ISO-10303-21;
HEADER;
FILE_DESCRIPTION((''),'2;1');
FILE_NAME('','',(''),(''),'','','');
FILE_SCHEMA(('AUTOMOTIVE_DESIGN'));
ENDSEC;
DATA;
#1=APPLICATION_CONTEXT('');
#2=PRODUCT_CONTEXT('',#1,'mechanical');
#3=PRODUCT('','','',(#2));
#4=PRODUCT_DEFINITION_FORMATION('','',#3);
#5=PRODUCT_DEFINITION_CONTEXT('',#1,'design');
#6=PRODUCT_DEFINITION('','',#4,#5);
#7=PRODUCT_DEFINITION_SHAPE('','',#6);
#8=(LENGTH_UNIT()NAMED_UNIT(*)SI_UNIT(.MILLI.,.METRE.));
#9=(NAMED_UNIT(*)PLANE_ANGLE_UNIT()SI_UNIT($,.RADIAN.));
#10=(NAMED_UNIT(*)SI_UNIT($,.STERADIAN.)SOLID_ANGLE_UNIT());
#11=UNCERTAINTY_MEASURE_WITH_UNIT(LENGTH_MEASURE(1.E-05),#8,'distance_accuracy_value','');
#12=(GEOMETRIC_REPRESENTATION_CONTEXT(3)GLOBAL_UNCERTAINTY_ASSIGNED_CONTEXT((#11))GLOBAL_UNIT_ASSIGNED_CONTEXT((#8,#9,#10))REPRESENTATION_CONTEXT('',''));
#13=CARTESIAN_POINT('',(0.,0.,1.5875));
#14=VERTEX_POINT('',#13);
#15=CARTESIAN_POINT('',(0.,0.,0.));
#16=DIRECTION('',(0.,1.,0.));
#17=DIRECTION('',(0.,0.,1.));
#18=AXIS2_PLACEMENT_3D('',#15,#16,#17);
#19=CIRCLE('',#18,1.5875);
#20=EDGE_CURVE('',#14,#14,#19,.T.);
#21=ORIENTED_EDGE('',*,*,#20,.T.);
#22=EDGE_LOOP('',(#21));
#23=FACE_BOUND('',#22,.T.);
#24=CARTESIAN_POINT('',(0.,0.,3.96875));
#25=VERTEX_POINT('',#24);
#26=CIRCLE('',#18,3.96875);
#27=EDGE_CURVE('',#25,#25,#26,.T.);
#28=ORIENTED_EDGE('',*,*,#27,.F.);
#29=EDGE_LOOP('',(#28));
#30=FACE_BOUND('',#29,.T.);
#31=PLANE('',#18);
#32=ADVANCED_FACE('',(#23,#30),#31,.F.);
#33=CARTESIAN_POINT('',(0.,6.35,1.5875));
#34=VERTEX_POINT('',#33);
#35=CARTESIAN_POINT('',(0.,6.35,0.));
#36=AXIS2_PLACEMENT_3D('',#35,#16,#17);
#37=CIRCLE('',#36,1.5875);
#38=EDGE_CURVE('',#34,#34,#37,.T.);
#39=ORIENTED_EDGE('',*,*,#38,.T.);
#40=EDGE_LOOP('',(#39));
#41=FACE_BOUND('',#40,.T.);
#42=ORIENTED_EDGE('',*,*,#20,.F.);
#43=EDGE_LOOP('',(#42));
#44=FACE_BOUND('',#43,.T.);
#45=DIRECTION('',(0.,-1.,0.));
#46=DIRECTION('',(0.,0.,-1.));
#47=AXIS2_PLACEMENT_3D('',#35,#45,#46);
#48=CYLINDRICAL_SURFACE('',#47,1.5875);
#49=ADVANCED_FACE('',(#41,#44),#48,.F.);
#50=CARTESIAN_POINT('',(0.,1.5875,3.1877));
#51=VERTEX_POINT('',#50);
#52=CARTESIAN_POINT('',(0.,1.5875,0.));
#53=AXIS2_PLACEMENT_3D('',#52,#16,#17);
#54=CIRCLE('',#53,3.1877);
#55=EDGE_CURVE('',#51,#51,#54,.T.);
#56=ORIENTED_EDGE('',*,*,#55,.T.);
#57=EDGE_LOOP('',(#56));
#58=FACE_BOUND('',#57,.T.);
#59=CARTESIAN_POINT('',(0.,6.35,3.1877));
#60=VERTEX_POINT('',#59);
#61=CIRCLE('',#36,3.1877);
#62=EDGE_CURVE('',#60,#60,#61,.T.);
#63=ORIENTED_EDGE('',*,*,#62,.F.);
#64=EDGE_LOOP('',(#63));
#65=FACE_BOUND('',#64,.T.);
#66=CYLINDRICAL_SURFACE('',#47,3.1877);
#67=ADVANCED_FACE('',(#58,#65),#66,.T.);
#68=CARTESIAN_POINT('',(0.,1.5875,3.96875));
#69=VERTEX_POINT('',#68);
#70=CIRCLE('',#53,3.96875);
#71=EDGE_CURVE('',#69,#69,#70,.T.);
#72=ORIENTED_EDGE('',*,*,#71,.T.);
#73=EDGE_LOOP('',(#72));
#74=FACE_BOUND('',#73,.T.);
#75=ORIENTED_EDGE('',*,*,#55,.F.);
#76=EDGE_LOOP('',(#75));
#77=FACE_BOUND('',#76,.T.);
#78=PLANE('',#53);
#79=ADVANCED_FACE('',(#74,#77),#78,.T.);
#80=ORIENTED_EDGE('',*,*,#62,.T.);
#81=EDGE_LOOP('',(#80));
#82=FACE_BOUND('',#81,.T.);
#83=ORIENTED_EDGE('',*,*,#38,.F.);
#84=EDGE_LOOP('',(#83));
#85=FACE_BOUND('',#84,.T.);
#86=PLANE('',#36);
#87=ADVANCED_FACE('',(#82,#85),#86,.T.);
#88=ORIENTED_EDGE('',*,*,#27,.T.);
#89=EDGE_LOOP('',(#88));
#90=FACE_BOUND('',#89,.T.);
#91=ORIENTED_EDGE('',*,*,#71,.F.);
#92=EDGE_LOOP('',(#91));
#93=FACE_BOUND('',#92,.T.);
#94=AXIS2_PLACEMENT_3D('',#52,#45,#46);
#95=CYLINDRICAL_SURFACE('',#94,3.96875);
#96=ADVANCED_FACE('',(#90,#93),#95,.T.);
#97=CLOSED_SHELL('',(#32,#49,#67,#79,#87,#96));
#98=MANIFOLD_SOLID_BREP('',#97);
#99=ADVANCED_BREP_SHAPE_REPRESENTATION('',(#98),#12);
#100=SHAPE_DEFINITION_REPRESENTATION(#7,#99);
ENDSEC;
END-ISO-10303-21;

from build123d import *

# Parameters (mm, degrees)
SKETCH2_R           = 3.1877
SKETCH2_R_2         = 1.5875
BOSS_EXTRUDE1_DEPTH = 6.35
SKETCH3_R           = 3.96875
SKETCH3_R_2         = 3.1877
BOSS_EXTRUDE2_DEPTH = 1.5875


with BuildPart() as part:
    # Sketch2 → Boss-Extrude1 (new body)
    with BuildSketch(Plane(origin=(0, 0, 0), x_dir=(1, 0, 0), z_dir=(0, 1, 0))):
        Circle(SKETCH2_R)
        Circle(SKETCH2_R_2, mode=Mode.SUBTRACT)
    extrude(amount=BOSS_EXTRUDE1_DEPTH)

    # Sketch3 → Boss-Extrude2 (add)
    with BuildSketch(Plane(origin=(0, 0, 0), x_dir=(1, 0, 0), z_dir=(0, 1, 0))):
        Circle(SKETCH3_R)
        Circle(SKETCH3_R_2, mode=Mode.SUBTRACT)
    extrude(amount=BOSS_EXTRUDE2_DEPTH)


solid = part.part
